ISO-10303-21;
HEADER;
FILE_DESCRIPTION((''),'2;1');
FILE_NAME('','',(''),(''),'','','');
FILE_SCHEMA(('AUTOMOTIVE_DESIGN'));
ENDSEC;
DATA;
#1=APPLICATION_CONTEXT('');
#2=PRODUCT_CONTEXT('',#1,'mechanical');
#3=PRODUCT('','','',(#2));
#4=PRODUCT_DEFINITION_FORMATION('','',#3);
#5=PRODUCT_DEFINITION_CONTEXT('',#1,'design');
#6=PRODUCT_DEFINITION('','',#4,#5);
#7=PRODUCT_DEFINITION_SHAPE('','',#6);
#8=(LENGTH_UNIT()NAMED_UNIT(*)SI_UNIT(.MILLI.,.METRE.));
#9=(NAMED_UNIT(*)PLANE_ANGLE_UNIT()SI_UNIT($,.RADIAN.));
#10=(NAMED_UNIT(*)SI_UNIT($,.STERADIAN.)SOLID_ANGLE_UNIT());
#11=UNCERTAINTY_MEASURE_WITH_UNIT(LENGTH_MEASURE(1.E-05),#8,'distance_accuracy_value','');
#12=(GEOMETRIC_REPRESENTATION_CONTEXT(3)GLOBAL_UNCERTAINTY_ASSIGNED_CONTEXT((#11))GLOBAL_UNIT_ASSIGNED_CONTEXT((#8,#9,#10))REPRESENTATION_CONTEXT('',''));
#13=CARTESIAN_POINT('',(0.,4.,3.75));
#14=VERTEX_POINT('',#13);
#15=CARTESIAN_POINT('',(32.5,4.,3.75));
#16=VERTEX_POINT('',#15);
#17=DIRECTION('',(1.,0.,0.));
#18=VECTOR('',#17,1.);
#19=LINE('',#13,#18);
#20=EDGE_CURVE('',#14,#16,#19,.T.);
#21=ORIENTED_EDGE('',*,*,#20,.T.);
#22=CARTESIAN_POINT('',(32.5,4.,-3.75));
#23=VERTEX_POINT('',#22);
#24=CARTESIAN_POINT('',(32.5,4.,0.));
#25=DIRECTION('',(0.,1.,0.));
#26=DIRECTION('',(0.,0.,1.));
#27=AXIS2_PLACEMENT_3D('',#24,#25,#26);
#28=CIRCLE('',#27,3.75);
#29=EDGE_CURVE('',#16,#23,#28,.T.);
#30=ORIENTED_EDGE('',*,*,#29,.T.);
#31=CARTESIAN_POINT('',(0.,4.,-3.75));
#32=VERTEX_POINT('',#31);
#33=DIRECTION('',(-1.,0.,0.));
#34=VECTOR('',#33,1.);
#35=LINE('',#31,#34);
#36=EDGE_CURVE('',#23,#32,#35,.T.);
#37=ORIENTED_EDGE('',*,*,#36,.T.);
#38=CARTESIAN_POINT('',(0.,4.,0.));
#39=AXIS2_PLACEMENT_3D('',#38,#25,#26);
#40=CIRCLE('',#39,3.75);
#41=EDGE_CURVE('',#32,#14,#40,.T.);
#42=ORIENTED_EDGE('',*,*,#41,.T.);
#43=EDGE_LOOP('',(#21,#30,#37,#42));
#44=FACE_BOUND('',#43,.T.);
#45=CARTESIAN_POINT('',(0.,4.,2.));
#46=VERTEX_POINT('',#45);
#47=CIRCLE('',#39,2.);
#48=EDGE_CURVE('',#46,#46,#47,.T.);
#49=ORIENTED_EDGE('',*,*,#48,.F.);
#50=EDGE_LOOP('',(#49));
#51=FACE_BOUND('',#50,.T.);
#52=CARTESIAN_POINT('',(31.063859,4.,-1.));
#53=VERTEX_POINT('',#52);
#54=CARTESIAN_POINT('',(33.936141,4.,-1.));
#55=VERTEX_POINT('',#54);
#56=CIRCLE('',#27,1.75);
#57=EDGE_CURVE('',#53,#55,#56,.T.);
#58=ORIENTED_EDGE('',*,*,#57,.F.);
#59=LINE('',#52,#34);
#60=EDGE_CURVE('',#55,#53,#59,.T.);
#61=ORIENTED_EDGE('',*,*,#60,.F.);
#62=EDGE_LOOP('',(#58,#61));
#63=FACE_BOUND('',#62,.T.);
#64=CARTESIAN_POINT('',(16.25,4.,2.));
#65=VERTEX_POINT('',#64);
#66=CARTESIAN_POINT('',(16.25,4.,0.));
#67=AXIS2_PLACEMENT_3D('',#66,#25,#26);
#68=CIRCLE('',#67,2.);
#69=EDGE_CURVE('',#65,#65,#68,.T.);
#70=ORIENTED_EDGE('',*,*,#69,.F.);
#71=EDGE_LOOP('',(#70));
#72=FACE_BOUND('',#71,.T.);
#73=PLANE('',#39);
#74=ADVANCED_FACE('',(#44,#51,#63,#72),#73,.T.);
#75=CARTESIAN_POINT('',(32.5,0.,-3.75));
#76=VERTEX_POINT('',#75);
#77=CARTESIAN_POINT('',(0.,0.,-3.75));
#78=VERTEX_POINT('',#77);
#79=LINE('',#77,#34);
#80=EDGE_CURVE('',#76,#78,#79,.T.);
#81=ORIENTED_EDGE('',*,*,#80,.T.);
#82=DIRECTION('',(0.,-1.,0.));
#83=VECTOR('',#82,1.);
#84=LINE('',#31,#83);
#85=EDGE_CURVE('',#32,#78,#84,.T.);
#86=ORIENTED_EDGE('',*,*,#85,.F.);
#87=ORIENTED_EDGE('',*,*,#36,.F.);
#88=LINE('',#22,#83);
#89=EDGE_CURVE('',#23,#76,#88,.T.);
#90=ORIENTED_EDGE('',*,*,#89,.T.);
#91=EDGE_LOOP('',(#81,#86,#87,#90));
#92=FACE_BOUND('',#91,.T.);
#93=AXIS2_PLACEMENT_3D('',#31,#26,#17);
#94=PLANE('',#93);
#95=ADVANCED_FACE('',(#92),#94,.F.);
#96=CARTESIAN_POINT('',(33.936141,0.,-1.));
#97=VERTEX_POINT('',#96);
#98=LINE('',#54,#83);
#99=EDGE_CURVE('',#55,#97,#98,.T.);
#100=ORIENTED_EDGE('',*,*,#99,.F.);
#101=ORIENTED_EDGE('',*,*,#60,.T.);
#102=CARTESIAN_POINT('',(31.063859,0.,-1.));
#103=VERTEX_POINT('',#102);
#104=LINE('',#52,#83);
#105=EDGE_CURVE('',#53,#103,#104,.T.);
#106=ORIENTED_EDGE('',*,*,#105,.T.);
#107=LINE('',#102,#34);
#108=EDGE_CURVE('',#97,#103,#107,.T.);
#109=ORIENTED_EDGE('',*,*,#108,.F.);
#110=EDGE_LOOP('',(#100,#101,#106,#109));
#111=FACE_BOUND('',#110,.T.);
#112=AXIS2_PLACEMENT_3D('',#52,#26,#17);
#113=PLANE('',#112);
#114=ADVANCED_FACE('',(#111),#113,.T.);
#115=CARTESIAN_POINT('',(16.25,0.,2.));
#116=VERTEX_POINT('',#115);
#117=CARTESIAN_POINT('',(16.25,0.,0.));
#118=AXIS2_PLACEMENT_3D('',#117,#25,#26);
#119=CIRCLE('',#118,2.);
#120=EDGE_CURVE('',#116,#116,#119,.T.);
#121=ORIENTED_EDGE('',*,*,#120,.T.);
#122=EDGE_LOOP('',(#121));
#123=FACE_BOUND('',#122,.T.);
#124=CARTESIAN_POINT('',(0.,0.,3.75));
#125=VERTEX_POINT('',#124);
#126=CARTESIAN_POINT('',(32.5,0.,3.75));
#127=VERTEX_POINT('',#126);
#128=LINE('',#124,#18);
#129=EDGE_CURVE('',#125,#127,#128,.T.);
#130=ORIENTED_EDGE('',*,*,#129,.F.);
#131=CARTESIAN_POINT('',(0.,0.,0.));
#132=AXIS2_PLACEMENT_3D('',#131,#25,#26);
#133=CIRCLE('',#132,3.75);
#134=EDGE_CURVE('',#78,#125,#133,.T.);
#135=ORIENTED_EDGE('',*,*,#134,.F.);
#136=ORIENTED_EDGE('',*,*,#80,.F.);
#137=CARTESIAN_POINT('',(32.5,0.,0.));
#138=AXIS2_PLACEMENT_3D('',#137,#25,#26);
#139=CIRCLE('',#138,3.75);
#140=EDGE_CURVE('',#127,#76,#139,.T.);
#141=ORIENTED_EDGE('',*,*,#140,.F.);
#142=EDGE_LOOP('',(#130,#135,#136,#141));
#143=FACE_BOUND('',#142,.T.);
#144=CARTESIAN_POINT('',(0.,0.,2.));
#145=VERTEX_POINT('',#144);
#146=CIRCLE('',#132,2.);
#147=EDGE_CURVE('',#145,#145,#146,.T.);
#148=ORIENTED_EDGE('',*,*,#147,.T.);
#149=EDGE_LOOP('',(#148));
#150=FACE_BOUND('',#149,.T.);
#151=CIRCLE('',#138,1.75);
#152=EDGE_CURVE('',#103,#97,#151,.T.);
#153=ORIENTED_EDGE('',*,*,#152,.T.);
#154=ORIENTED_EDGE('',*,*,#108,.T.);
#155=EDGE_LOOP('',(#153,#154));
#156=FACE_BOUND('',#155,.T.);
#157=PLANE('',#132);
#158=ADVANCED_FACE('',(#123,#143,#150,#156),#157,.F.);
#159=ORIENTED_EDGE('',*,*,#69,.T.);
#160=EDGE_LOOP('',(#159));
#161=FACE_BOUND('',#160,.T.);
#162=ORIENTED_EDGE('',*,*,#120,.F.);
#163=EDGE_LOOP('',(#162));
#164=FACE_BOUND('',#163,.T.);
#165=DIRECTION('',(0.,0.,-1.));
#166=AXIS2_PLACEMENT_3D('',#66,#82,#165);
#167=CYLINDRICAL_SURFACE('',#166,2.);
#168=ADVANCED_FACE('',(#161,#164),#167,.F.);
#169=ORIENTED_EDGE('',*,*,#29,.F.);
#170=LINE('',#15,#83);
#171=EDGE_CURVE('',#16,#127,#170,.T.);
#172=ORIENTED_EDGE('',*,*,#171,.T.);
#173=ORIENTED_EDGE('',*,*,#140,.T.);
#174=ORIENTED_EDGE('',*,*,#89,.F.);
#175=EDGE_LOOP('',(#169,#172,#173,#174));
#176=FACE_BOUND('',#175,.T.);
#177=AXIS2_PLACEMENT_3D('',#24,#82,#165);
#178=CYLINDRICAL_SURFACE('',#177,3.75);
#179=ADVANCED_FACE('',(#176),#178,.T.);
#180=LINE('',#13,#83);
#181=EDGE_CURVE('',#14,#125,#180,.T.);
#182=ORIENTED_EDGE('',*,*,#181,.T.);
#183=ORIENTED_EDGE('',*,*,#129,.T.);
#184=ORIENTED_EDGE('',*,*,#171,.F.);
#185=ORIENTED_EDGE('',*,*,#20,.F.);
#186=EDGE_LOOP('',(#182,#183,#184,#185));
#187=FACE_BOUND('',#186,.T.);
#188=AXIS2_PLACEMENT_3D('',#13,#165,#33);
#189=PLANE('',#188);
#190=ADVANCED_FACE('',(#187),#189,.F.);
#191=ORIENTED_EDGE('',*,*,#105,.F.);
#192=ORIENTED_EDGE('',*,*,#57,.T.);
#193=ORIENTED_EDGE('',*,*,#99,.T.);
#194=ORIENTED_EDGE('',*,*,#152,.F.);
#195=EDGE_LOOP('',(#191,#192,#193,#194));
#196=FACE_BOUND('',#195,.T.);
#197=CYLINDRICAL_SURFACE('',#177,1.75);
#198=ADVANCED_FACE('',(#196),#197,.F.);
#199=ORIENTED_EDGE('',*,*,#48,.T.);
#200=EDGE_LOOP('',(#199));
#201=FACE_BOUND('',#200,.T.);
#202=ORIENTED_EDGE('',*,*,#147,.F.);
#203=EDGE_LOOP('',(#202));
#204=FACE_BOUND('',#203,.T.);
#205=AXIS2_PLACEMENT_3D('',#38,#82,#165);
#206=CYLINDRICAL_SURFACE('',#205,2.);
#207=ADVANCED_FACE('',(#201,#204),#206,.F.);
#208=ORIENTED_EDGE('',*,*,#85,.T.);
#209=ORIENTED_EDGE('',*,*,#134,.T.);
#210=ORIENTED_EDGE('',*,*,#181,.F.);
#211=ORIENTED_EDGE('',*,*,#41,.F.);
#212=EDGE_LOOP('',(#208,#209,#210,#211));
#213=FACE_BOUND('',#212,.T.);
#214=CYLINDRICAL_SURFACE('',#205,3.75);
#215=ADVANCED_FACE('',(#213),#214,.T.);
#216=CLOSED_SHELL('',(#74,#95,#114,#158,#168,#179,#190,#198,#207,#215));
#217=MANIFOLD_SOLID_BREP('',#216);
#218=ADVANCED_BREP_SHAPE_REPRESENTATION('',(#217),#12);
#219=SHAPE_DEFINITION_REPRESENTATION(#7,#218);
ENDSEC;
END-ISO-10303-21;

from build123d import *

# Parameters (mm, degrees)
SKETCH1_R           = 2
BOSS_EXTRUDE1_DEPTH = 4


with BuildPart() as part:
    # Sketch1 → Boss-Extrude1 (new body)
    with BuildSketch(Plane(origin=(0, 0, 0), x_dir=(1, 0, 0), z_dir=(0, 1, 0))):
        with BuildLine():
            Line((0, 3.75), (32.5, 3.75))
            ThreePointArc((32.5, 3.75), (36.25, 0), (32.5, -3.75))
            Line((32.5, -3.75), (0, -3.75))
            ThreePointArc((0, -3.75), (-3.75, 0), (0, 3.75))
        make_face()
        Circle(SKETCH1_R, mode=Mode.SUBTRACT)
        with Locations((16.25, 0)):
            Circle(SKETCH1_R, mode=Mode.SUBTRACT)
        with BuildLine():
            Line((31.063859338, 1), (33.936140662, 1))
            ThreePointArc((33.936140662, 1), (32.5, -1.75), (31.063859338, 1))
        make_face(mode=Mode.SUBTRACT)
    extrude(amount=BOSS_EXTRUDE1_DEPTH)


solid = part.part
